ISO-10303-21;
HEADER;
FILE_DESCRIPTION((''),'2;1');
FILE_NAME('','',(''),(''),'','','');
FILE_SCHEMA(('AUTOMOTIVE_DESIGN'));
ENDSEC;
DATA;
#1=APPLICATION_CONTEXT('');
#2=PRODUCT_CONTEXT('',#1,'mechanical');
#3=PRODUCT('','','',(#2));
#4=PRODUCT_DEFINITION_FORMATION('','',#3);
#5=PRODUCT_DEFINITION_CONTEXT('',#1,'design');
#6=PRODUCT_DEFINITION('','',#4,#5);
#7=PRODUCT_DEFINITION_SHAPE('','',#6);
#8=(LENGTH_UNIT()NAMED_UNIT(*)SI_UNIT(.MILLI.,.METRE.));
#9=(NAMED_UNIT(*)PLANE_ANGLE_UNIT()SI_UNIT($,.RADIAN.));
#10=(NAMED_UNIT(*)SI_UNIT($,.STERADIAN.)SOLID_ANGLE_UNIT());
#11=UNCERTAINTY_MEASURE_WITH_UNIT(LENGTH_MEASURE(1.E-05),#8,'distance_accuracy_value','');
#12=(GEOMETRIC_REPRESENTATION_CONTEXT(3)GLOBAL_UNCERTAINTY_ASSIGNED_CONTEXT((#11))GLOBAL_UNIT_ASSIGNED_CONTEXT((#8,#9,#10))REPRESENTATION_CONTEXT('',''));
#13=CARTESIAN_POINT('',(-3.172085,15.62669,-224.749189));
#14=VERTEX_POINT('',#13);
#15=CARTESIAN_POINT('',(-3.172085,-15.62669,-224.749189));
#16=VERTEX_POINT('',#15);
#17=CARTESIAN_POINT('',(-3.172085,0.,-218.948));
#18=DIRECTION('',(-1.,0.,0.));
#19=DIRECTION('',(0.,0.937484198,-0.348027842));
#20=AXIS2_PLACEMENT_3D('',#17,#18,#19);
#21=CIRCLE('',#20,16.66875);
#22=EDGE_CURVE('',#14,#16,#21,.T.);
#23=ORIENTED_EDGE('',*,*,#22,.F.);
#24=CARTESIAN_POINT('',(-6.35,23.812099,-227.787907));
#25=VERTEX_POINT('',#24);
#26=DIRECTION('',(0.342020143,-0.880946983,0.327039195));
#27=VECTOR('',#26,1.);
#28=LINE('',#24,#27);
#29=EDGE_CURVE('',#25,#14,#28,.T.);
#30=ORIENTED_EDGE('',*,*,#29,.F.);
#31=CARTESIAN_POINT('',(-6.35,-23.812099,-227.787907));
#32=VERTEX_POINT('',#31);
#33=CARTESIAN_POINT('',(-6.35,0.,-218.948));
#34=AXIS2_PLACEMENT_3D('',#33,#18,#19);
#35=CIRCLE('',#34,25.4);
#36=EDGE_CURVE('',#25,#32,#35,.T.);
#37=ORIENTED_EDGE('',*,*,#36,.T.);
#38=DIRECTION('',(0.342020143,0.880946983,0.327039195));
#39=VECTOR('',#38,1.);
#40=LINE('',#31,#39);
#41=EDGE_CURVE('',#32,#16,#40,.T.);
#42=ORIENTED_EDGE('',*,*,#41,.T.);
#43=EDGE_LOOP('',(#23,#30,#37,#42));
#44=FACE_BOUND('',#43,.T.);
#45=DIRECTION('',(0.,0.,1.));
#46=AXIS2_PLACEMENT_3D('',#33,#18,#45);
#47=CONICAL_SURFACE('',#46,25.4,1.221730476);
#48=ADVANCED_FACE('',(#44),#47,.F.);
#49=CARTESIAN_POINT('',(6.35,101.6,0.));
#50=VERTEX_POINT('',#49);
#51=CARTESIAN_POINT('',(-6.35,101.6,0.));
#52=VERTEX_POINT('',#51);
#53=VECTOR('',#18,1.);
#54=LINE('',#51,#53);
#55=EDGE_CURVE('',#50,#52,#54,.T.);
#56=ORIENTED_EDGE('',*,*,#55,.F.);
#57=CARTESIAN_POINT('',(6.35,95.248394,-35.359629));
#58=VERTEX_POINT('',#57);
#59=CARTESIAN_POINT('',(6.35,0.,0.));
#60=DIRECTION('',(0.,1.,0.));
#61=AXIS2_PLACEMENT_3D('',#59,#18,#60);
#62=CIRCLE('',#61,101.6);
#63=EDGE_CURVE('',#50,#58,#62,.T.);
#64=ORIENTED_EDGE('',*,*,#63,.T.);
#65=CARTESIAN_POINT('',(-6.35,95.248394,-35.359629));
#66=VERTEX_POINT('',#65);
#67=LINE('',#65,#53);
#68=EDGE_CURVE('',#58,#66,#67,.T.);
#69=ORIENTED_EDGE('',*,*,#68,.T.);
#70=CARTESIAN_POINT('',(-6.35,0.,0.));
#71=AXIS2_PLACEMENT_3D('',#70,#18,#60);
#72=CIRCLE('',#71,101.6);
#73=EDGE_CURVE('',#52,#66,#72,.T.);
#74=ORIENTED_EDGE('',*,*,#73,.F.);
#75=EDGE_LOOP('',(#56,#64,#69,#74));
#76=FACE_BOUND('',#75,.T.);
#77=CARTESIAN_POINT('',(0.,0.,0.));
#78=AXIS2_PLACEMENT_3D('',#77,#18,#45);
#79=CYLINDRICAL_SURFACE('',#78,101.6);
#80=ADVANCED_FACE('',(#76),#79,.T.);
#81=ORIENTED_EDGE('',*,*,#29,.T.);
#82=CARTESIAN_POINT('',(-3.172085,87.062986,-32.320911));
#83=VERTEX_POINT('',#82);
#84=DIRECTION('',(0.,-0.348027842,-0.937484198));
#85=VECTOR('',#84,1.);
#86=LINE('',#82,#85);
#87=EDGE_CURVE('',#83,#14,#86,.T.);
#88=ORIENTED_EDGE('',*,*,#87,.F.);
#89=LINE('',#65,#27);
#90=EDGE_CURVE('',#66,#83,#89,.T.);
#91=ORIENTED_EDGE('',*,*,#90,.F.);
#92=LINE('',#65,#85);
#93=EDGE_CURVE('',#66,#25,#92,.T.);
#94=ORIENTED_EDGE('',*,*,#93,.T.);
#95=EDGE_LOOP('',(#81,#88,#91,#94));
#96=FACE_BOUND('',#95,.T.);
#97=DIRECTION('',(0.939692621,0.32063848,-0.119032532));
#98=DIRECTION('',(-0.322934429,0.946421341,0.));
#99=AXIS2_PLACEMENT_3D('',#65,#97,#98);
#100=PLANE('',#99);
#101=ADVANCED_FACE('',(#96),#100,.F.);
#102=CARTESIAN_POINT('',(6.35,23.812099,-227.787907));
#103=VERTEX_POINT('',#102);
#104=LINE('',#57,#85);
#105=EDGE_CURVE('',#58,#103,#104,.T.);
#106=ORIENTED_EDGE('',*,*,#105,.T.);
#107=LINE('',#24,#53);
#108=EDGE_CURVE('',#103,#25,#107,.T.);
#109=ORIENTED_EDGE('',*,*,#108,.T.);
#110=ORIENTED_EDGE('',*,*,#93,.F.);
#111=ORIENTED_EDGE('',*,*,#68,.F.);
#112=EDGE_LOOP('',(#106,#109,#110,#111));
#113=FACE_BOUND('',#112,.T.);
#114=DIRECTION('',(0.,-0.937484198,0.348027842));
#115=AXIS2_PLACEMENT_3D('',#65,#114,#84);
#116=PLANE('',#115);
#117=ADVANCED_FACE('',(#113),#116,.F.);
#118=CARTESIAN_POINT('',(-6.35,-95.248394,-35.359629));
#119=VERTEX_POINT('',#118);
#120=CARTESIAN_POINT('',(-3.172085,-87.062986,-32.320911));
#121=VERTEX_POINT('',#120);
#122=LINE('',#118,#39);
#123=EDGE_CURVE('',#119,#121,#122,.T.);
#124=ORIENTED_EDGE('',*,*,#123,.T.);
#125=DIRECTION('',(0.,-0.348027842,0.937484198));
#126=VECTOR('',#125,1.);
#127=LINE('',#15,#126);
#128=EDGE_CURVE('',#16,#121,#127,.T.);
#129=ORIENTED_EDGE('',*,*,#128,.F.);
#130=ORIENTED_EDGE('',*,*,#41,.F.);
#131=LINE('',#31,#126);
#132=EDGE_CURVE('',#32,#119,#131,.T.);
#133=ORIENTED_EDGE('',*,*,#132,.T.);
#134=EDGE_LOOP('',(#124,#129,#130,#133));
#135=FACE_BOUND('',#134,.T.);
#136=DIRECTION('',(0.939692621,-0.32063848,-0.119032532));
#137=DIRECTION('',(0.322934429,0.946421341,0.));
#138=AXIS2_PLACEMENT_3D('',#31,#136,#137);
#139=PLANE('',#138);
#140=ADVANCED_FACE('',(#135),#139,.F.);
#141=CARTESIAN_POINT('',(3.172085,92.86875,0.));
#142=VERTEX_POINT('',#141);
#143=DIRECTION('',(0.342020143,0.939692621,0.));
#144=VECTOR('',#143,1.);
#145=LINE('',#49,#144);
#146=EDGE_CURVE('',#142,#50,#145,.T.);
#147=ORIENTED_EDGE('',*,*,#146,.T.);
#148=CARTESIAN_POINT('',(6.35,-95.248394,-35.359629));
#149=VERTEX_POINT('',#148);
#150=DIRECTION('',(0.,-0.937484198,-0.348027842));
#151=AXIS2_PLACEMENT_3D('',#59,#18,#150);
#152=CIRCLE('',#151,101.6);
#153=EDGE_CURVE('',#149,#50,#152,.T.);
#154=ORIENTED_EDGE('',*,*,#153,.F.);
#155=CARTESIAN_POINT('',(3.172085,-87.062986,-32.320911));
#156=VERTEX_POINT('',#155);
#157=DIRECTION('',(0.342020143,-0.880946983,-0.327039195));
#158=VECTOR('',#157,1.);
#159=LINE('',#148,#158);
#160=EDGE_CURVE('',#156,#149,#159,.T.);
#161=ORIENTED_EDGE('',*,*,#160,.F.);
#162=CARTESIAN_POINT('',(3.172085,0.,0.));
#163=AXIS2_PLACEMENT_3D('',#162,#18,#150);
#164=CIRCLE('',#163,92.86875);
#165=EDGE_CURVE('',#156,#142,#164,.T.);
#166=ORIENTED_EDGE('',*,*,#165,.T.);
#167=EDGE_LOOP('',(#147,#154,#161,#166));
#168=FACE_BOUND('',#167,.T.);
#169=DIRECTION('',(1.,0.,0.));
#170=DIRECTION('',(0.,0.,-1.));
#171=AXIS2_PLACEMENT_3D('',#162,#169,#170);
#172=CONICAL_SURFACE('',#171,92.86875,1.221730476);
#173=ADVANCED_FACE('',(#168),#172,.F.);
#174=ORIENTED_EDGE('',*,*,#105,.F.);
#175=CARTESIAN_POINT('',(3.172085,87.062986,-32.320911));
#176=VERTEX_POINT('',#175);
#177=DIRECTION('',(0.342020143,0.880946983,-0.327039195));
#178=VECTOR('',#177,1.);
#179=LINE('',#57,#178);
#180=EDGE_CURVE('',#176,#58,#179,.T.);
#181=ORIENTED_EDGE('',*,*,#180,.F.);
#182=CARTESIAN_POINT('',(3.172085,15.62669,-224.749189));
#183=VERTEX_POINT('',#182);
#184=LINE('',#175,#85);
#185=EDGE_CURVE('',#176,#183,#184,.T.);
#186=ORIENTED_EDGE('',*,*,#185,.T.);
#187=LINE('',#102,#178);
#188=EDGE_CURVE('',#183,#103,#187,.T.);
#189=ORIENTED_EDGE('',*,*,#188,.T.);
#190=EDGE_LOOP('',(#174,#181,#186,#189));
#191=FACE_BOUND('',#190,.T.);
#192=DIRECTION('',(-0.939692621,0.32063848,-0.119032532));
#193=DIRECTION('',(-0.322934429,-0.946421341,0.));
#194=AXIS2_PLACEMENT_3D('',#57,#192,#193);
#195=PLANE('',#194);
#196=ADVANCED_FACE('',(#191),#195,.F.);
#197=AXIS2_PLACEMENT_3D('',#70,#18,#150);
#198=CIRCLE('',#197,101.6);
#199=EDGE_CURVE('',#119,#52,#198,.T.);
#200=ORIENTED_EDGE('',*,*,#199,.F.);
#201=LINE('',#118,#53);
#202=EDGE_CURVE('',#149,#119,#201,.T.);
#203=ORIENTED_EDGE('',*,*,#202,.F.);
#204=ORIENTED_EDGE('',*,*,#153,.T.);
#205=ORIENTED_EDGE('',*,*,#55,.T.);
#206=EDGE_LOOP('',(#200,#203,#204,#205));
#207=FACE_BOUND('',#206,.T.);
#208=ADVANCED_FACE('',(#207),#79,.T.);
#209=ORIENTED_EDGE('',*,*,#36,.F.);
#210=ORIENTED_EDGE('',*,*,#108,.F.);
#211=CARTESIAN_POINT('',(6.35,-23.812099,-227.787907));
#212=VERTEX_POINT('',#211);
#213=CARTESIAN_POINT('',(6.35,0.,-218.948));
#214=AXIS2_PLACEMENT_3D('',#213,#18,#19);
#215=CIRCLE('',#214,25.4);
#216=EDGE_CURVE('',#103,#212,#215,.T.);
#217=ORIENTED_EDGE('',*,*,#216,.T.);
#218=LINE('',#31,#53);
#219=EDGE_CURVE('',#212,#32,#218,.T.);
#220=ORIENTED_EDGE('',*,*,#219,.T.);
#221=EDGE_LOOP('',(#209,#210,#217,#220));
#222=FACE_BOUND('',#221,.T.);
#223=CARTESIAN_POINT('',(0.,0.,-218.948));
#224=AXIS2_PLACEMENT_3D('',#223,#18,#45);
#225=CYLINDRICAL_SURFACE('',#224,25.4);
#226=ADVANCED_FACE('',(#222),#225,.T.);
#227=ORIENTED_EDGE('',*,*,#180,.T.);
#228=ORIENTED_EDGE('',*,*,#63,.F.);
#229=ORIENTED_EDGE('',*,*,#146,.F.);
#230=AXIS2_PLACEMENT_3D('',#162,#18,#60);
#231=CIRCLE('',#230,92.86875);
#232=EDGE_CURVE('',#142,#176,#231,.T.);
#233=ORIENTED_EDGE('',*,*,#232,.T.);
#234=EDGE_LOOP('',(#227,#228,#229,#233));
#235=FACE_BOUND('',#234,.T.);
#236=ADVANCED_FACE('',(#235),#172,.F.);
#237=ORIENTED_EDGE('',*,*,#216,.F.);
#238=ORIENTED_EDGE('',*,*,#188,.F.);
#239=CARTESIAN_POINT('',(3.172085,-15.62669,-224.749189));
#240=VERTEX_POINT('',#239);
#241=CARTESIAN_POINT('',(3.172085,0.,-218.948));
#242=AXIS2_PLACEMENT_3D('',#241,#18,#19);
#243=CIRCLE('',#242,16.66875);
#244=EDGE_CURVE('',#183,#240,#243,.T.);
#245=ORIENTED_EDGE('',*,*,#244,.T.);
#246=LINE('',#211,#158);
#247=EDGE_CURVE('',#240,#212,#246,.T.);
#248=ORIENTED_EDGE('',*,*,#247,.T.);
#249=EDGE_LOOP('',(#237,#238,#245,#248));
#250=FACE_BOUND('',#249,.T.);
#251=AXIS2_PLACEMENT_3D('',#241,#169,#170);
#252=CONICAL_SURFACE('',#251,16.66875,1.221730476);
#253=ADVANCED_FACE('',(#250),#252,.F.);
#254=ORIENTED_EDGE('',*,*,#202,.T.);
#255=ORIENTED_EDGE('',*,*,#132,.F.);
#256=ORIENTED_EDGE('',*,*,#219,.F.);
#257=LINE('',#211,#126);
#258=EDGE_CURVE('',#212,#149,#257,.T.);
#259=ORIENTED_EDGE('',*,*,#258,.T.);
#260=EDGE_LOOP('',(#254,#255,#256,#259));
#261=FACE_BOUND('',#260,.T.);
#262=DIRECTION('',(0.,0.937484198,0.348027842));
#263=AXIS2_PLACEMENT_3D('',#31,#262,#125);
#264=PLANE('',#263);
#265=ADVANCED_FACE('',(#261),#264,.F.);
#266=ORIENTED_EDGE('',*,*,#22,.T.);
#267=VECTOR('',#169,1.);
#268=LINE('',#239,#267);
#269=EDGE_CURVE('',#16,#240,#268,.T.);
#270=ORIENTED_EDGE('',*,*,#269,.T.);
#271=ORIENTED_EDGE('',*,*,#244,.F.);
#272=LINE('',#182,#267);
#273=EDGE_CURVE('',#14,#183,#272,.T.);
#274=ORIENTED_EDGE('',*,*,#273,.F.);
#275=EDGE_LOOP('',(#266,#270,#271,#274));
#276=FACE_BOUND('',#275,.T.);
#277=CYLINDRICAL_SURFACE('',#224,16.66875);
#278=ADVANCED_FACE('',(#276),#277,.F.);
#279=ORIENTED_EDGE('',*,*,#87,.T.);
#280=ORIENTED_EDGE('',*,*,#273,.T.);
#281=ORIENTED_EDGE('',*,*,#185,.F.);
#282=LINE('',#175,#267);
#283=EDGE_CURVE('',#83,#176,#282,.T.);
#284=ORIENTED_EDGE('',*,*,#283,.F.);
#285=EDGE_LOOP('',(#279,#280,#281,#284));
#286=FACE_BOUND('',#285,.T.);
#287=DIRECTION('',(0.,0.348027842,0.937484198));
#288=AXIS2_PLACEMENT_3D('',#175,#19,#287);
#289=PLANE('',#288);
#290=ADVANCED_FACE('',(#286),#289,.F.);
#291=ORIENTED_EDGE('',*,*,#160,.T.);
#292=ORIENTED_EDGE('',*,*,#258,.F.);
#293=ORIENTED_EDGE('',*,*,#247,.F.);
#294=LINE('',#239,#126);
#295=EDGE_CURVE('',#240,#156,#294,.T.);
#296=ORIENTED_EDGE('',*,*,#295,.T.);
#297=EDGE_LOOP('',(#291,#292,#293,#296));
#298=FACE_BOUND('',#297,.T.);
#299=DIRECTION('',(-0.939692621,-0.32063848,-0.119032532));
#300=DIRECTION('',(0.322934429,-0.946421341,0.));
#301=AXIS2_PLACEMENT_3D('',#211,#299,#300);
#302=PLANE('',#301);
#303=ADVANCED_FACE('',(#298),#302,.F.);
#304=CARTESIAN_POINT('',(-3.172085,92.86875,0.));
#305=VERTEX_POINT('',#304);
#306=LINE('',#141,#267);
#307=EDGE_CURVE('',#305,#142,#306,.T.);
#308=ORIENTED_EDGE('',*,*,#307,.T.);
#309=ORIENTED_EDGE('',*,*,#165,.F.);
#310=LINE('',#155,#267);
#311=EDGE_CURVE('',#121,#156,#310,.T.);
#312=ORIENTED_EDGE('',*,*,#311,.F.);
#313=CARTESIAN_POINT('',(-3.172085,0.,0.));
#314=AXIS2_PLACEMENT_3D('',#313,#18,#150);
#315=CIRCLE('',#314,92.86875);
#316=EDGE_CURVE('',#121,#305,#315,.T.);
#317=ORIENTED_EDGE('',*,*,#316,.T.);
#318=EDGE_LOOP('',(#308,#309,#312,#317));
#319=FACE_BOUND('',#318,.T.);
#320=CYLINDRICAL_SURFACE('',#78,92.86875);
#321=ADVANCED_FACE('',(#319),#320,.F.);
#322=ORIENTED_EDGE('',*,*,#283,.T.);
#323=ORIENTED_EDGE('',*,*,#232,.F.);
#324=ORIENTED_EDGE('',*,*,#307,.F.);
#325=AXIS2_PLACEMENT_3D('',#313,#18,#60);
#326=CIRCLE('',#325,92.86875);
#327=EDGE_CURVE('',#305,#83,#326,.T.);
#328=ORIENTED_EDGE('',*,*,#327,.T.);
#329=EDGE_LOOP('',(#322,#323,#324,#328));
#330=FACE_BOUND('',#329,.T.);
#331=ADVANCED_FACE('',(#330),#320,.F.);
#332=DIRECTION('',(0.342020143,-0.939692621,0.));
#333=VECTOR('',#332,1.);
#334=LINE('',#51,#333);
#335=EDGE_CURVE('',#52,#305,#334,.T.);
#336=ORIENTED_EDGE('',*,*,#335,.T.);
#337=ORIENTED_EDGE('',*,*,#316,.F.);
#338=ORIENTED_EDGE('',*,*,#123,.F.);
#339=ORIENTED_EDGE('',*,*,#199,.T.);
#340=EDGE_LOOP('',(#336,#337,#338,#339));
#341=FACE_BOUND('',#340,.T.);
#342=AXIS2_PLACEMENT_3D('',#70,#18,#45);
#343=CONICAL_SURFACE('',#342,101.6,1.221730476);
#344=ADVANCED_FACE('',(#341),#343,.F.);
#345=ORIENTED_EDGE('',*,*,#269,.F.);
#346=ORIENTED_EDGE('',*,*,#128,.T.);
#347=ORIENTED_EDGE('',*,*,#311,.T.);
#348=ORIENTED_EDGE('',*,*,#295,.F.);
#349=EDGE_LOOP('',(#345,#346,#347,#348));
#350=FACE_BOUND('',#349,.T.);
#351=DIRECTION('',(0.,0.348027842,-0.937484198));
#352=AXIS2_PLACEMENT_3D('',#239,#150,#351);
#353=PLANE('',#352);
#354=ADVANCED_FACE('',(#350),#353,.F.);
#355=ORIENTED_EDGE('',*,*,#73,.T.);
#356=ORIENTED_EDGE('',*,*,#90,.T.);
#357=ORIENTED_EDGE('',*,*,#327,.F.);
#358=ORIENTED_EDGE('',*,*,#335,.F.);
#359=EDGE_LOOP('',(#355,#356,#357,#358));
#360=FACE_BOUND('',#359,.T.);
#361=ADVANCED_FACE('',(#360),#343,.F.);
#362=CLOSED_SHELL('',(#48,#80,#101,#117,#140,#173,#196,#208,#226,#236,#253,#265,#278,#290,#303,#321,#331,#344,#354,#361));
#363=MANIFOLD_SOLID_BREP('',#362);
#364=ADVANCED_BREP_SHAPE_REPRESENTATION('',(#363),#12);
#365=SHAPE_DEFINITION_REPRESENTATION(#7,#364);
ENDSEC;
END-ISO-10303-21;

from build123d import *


with BuildPart() as part:
    # Barrer1: sweep along a path in Croquis1
    with BuildLine(Plane(origin=(0, 0, 0), x_dir=(0, 0, -1), z_dir=(1, 0, 0))) as barrer1_path:
        Line((227.787907193, 23.812098623), (35.35962877, 95.248394492))
        ThreePointArc((35.35962877, 95.248394492), (-101.6, 0), (35.35962877, -95.248394492))
        Line((35.35962877, -95.248394492), (227.787907193, -23.812098623))
        ThreePointArc((227.787907193, -23.812098623), (244.348, 0), (227.787907193, 23.812098623))
    # Croquis2 → Barrer1 (sweep)
    with BuildSketch(Plane.XY):
        Polygon((-6.35, 101.6), (6.35, 101.6), (3.172084892, 92.86875), (-3.172084892, 92.86875), align=None)
    sweep(path=barrer1_path.line)


solid = part.part
